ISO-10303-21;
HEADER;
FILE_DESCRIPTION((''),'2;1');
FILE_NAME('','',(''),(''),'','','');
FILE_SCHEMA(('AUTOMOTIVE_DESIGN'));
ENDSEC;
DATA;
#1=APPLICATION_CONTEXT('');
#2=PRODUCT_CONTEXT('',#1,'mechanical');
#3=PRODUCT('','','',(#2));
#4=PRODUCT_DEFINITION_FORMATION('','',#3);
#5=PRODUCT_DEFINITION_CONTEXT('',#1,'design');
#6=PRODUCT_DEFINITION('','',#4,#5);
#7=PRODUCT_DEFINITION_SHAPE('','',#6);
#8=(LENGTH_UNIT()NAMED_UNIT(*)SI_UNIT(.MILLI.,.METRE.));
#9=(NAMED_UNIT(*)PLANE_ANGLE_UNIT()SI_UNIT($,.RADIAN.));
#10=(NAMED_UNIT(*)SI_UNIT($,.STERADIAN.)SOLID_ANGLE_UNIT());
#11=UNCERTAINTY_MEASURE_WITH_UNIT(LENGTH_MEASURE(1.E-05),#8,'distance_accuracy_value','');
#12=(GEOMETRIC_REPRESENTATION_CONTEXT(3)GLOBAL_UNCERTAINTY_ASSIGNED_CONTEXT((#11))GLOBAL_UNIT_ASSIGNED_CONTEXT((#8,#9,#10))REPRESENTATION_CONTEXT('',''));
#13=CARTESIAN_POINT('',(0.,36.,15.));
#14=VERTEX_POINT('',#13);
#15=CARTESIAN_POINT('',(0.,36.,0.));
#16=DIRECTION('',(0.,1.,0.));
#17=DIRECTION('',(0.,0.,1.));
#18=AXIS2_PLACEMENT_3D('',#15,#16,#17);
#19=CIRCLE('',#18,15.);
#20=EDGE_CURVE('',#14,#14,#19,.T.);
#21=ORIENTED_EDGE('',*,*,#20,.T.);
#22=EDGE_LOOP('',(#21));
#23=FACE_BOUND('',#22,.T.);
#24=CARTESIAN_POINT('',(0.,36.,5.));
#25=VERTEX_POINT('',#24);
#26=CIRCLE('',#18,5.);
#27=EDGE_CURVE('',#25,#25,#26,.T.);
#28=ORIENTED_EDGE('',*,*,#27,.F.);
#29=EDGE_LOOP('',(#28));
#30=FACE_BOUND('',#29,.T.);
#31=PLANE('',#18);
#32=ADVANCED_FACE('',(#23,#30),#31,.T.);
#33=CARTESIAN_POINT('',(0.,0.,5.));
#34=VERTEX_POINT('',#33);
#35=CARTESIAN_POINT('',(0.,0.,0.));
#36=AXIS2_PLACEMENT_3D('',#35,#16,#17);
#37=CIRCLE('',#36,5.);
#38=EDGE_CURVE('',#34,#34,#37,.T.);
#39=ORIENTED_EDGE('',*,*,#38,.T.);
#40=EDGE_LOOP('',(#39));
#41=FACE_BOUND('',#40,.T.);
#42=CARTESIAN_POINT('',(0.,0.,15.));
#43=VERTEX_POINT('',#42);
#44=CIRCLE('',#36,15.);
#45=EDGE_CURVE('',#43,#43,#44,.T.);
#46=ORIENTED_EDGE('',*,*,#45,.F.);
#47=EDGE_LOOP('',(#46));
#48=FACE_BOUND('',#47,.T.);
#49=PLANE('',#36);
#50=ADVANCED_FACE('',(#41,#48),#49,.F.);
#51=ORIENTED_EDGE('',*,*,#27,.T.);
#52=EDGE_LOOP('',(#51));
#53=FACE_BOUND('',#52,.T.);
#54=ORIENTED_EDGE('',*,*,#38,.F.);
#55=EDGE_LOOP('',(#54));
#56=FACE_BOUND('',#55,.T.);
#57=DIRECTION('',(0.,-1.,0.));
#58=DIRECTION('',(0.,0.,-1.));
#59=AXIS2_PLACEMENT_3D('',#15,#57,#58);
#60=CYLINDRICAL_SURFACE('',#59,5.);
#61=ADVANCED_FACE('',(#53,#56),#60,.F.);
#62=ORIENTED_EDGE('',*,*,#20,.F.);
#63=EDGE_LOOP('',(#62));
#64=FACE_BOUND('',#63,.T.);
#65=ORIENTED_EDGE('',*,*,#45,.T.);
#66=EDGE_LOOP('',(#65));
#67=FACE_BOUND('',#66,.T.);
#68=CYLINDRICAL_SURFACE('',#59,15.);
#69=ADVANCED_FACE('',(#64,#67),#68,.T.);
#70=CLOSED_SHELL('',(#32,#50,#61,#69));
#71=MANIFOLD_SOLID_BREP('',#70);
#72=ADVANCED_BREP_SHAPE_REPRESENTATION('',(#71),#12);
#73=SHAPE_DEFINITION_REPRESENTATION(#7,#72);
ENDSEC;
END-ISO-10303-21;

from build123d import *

# Parameters (mm, degrees)
ESQUISSE1_R      = 15
ESQUISSE1_R_2    = 5
EXTRUSION1_DEPTH = 36


with BuildPart() as part:
    # Esquisse1 → Extrusion1 (new body)
    with BuildSketch(Plane(origin=(0, 0, 0), x_dir=(1, 0, 0), z_dir=(0, 1, 0))):
        Circle(ESQUISSE1_R)
        Circle(ESQUISSE1_R_2, mode=Mode.SUBTRACT)
    extrude(amount=EXTRUSION1_DEPTH)


solid = part.part
